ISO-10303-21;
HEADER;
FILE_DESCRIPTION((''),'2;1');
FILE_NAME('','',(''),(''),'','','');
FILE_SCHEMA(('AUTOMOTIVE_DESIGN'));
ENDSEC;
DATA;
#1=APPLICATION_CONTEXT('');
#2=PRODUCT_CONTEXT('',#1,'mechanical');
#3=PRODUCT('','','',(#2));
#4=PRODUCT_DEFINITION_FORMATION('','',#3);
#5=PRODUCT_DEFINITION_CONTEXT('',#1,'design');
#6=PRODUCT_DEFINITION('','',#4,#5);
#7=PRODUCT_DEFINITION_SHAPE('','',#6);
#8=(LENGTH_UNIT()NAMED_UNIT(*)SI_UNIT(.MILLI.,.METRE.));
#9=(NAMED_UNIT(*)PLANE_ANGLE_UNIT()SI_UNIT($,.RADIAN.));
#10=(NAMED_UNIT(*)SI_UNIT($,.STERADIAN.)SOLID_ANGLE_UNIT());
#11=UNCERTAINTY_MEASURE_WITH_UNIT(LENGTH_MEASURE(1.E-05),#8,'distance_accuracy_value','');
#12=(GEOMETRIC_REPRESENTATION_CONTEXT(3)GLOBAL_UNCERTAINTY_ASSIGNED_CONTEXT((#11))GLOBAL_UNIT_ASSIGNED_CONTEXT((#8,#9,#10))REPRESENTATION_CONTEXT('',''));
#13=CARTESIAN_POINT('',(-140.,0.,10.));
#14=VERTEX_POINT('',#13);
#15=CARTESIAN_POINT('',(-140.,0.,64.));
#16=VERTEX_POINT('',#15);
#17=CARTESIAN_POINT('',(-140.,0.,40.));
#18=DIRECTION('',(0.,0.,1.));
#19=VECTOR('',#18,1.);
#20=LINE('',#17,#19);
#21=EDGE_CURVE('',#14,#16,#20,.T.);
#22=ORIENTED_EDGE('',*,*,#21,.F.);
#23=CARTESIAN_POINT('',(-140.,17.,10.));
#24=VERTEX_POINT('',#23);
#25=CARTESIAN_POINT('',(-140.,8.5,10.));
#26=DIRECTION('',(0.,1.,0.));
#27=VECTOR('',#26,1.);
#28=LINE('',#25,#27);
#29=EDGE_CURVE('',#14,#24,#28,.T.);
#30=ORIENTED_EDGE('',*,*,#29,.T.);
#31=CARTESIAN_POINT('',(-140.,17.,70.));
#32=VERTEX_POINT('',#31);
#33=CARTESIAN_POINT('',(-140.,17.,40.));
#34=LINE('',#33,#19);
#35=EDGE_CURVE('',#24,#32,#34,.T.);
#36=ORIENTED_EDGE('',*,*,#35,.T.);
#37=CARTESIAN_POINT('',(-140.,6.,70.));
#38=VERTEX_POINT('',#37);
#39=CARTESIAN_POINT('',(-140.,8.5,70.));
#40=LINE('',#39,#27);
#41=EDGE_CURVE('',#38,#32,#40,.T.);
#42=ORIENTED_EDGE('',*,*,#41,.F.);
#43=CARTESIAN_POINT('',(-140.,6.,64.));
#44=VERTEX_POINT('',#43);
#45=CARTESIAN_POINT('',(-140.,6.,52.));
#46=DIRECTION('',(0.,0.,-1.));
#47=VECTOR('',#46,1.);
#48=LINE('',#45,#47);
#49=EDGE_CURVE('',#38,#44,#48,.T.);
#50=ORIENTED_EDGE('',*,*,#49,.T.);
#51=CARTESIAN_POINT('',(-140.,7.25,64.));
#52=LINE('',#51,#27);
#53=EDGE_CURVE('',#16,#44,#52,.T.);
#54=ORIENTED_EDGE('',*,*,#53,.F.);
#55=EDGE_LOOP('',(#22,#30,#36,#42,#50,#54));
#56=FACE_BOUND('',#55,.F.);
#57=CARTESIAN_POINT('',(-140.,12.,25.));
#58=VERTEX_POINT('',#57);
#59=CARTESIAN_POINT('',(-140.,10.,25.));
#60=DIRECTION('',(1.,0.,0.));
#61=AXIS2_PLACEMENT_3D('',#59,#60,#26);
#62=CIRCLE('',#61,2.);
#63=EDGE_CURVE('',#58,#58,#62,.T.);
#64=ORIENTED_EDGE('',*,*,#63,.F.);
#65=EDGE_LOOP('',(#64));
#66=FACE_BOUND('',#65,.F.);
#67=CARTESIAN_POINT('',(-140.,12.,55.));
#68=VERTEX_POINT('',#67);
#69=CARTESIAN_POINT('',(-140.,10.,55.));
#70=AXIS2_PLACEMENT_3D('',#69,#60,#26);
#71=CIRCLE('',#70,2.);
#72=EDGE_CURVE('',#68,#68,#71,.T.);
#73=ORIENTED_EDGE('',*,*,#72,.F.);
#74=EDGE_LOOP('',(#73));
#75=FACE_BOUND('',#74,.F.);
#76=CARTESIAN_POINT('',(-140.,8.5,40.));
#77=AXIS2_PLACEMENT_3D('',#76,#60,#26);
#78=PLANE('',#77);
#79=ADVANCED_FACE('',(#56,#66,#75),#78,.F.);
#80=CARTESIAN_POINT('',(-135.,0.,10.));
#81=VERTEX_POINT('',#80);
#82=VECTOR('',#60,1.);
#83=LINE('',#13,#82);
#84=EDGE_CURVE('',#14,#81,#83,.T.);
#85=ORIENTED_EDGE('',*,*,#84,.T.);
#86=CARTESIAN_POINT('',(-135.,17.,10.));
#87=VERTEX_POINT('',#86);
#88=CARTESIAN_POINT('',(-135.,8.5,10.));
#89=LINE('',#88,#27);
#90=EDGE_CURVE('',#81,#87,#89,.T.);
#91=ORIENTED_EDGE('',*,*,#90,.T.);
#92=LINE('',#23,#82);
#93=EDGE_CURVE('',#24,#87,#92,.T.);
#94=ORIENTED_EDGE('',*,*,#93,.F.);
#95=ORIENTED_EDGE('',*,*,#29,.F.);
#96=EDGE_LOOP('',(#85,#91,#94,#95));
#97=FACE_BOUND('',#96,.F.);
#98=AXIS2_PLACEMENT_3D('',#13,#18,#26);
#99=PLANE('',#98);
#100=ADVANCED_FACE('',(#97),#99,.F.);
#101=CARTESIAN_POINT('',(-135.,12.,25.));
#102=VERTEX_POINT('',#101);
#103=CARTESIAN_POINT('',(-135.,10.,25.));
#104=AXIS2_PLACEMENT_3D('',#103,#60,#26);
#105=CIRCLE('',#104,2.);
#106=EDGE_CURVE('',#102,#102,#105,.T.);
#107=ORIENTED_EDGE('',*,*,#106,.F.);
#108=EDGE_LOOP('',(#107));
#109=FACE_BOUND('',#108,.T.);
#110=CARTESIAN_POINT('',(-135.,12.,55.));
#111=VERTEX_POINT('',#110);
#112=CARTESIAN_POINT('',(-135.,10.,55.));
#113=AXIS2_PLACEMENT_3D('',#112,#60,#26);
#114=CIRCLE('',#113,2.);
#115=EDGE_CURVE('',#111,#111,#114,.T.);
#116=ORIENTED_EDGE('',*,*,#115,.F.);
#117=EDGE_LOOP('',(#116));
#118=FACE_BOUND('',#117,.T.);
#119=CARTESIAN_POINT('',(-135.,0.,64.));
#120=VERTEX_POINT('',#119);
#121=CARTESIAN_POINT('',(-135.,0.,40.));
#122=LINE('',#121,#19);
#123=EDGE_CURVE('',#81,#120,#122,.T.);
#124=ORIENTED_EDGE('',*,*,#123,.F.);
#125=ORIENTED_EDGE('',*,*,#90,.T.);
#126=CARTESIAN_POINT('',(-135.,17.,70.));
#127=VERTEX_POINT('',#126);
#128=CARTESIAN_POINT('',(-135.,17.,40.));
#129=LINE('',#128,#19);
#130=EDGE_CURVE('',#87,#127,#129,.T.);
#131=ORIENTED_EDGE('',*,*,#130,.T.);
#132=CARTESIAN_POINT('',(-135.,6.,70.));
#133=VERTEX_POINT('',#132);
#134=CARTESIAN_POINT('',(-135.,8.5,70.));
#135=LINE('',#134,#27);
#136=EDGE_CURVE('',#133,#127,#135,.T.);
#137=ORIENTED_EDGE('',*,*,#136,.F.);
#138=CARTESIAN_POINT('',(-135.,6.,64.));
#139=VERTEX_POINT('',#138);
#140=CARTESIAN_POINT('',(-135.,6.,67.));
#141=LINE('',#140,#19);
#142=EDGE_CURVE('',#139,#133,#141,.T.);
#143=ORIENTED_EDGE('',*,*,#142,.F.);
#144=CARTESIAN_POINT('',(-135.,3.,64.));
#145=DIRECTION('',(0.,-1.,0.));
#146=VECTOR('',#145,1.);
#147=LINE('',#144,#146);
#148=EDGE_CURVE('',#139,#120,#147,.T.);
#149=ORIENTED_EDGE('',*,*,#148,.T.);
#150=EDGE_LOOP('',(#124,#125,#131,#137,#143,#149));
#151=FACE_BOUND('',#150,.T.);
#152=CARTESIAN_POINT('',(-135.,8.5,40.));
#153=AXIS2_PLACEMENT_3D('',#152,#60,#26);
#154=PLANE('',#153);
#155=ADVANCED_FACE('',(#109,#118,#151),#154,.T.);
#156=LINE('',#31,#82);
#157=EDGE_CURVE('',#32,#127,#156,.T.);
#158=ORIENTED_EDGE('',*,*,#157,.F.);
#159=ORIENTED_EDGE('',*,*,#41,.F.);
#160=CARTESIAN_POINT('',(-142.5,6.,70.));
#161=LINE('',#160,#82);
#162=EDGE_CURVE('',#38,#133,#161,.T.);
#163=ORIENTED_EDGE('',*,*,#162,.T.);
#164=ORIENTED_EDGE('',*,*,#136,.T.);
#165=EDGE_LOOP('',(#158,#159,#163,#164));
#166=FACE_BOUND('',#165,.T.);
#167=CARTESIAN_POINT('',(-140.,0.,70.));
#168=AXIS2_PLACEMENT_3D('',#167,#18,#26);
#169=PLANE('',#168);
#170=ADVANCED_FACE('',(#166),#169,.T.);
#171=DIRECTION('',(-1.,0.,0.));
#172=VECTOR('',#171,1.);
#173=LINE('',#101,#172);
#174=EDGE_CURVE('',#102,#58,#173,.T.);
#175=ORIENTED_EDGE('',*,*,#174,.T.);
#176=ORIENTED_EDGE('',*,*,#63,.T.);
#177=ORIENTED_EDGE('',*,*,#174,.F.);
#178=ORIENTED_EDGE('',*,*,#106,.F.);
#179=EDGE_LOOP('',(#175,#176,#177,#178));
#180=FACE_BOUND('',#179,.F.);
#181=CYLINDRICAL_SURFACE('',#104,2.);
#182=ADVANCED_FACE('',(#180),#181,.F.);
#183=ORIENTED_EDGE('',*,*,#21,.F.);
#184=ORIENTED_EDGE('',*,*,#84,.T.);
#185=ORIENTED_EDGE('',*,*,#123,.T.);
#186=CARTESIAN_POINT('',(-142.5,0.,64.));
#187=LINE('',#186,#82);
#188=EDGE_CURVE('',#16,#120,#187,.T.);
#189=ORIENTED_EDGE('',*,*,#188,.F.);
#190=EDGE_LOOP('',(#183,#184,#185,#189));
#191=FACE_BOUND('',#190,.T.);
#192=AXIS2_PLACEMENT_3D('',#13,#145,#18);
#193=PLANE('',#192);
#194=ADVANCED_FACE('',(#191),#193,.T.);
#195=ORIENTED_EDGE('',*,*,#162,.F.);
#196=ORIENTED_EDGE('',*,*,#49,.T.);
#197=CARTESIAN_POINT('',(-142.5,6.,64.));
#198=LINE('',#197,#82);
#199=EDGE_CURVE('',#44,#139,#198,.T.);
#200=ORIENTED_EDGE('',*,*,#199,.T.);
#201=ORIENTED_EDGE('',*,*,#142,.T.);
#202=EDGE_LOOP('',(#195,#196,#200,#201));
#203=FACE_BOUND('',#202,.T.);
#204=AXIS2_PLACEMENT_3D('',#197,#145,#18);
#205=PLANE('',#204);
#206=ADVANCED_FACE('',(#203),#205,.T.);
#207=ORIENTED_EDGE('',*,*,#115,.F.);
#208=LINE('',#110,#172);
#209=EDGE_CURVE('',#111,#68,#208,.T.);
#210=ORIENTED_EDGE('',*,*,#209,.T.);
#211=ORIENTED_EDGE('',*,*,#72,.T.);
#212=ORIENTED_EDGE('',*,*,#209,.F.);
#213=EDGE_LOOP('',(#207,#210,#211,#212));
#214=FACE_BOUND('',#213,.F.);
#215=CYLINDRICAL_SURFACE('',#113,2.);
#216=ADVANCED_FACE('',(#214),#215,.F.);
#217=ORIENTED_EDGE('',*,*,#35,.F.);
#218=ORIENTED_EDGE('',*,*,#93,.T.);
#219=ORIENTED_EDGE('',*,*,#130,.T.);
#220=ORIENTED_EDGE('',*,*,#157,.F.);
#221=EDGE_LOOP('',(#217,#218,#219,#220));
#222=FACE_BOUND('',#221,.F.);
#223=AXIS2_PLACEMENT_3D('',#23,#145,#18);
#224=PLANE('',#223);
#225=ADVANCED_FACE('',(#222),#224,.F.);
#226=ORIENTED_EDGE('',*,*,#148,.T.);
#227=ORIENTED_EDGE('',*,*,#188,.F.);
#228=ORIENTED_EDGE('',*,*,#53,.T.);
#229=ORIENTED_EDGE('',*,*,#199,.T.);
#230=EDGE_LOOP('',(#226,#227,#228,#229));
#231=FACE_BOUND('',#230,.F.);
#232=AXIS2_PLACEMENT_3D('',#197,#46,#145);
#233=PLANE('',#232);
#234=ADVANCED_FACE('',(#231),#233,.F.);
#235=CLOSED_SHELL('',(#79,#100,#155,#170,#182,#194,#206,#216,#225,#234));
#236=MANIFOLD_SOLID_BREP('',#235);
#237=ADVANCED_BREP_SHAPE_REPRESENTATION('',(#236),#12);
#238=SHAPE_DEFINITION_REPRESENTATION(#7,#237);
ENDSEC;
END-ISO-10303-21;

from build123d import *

# Parameters (mm, degrees)
CIRCLE008_R      = 2
EXTRUDE086_DEPTH = 5
CIRCLE006_R      = 2
EXTRUDE089_DEPTH = 5
RECTANGLE066_W   = 6
RECTANGLE066_H   = 6
EXTRUDE080_DEPTH = 7.5
RECTANGLE003_W   = 17
RECTANGLE003_H   = 60
EXTRUDE002_DEPTH = 5


with BuildPart() as extrude086:
    # Circle008 → Extrude086 (new body)
    with BuildSketch(Plane(origin=(-135, 10, 25), x_dir=(0, 1, 0), z_dir=(1, 0, 0))):
        Circle(CIRCLE008_R)
    extrude(amount=-EXTRUDE086_DEPTH)


with BuildPart() as extrude089:
    # Circle006 → Extrude089 (new body)
    with BuildSketch(Plane(origin=(-135, 10, 55), x_dir=(0, 1, 0), z_dir=(1, 0, 0))):
        Circle(CIRCLE006_R)
    extrude(amount=-EXTRUDE089_DEPTH)


with BuildPart() as extrude080:
    # Rectangle066 → Extrude080 (new body)
    with BuildSketch(Plane(origin=(-250, 6, 64), x_dir=(0, -1, 0), z_dir=(-1, 0, 0))):
        with Locations((3, 3)):
            Rectangle(RECTANGLE066_W, RECTANGLE066_H)
    extrude(amount=-EXTRUDE080_DEPTH)


with BuildPart() as extrude080_1:
    # Extrude080 placement: moved
    add(extrude080.part.moved(Location((107.5, 0, 0))))


with BuildPart() as cut009:
    # Rectangle003 → Extrude002 (new body)
    with BuildSketch(Plane(origin=(0, 0, 10), x_dir=(0, 1, 0), z_dir=(1, 0, 0))):
        with Locations((8.5, 30)):
            Rectangle(RECTANGLE003_W, RECTANGLE003_H)
    extrude(amount=EXTRUDE002_DEPTH)


with BuildPart() as cut009_1:
    # Extrude002 placement: moved
    add(cut009.part.moved(Location((-140, 0, 0))))

    # Cut002: cut Extrude080
    add(extrude080_1.part, mode=Mode.SUBTRACT)

    # Cut007: cut Extrude089
    add(extrude089.part, mode=Mode.SUBTRACT)

    # Cut009: cut Extrude086
    add(extrude086.part, mode=Mode.SUBTRACT)


solid = cut009_1.part
